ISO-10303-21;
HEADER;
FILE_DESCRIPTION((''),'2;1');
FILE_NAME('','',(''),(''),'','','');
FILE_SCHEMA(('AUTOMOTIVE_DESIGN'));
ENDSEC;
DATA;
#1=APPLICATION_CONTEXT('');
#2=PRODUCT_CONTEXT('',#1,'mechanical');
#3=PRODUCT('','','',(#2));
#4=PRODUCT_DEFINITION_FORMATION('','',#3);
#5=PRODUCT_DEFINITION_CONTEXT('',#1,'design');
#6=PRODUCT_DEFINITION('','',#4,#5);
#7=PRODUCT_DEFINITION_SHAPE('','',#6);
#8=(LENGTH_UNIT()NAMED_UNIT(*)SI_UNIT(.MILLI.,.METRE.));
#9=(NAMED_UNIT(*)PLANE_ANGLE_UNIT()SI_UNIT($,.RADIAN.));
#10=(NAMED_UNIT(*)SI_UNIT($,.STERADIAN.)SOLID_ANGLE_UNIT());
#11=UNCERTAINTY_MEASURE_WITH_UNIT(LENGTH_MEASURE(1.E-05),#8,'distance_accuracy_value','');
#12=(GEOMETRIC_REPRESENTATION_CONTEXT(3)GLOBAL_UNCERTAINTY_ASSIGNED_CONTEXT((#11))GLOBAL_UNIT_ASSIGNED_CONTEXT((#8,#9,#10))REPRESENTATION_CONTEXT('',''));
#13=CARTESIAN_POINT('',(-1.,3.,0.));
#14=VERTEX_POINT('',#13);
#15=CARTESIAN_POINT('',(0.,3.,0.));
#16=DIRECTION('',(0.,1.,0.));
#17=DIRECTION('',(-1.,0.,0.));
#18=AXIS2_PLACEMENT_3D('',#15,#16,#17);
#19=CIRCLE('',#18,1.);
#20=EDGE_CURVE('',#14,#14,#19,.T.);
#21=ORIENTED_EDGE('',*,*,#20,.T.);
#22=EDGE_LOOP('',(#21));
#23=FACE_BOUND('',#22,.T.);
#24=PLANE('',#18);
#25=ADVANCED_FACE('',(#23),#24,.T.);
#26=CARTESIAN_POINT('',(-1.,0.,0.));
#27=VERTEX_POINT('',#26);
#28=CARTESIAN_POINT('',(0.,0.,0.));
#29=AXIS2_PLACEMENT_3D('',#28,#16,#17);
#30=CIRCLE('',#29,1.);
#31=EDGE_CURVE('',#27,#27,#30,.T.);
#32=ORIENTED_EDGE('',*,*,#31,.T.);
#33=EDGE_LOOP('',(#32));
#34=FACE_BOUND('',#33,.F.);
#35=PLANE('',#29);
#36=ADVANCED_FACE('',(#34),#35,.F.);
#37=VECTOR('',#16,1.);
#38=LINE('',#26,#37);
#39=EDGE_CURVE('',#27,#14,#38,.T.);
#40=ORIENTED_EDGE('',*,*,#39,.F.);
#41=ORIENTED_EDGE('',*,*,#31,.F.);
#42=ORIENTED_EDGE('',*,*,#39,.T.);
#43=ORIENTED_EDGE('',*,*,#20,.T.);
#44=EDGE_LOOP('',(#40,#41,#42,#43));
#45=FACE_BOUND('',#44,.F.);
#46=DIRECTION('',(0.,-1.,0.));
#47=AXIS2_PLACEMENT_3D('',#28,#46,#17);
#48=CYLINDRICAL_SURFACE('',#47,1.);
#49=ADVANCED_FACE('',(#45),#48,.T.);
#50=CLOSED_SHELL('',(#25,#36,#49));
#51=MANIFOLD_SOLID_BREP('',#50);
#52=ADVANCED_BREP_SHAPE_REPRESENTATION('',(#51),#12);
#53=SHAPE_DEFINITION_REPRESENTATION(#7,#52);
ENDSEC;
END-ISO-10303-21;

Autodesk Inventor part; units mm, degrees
ref_plane "YZ Plane" through (0, 0, 0) normal (1, 0, 0) x (0, 1, 0)
ref_plane "XZ Plane" through (0, 0, 0) normal (0, 1, 0) x (-1, 0, 0)
ref_plane "XY Plane" through (0, 0, 0) normal (0, 0, 1) x (1, 0, 0)
sketch "草图1" plane through (0, 0, 0) normal (0, 1, 0) x (-1, 0, 0)
  circle A0 centre (0, 0) radius 1
  dimension "d0" = 2
  dimension "d1" = 0
  dimension "d2" = 0
extrude "拉伸1" add sketch "草图1" along normal blind 3
sketch "草图2" plane through (0, 3, 0) normal (0, 1, 0) x (1, 0, 0)
  point P0 (0, 0)
sketch "草图3" plane through (0, 3, 0) normal (0, 1, 0) x (1, 0, 0)
  line L0 (0.6435, 0.6254) -> (0.8634, -0.2446)
  line L1 (0.8634, -0.2446) -> (0.2198, -0.87)
  line L2 (0.2198, -0.87) -> (-0.6435, -0.6254)
  line L3 (-0.6435, -0.6254) -> (-0.8634, 0.2446)
  line L4 (-0.8634, 0.2446) -> (-0.2198, 0.87)
  line L5 (-0.2198, 0.87) -> (0.6435, 0.6254)
  point P0 (0, 0)
  point P1 (0, 0)
  dimension "d5" = 0.87
  dimension "d6" = 0
  dimension "d7" = 0
properties part number "紧定螺钉"
